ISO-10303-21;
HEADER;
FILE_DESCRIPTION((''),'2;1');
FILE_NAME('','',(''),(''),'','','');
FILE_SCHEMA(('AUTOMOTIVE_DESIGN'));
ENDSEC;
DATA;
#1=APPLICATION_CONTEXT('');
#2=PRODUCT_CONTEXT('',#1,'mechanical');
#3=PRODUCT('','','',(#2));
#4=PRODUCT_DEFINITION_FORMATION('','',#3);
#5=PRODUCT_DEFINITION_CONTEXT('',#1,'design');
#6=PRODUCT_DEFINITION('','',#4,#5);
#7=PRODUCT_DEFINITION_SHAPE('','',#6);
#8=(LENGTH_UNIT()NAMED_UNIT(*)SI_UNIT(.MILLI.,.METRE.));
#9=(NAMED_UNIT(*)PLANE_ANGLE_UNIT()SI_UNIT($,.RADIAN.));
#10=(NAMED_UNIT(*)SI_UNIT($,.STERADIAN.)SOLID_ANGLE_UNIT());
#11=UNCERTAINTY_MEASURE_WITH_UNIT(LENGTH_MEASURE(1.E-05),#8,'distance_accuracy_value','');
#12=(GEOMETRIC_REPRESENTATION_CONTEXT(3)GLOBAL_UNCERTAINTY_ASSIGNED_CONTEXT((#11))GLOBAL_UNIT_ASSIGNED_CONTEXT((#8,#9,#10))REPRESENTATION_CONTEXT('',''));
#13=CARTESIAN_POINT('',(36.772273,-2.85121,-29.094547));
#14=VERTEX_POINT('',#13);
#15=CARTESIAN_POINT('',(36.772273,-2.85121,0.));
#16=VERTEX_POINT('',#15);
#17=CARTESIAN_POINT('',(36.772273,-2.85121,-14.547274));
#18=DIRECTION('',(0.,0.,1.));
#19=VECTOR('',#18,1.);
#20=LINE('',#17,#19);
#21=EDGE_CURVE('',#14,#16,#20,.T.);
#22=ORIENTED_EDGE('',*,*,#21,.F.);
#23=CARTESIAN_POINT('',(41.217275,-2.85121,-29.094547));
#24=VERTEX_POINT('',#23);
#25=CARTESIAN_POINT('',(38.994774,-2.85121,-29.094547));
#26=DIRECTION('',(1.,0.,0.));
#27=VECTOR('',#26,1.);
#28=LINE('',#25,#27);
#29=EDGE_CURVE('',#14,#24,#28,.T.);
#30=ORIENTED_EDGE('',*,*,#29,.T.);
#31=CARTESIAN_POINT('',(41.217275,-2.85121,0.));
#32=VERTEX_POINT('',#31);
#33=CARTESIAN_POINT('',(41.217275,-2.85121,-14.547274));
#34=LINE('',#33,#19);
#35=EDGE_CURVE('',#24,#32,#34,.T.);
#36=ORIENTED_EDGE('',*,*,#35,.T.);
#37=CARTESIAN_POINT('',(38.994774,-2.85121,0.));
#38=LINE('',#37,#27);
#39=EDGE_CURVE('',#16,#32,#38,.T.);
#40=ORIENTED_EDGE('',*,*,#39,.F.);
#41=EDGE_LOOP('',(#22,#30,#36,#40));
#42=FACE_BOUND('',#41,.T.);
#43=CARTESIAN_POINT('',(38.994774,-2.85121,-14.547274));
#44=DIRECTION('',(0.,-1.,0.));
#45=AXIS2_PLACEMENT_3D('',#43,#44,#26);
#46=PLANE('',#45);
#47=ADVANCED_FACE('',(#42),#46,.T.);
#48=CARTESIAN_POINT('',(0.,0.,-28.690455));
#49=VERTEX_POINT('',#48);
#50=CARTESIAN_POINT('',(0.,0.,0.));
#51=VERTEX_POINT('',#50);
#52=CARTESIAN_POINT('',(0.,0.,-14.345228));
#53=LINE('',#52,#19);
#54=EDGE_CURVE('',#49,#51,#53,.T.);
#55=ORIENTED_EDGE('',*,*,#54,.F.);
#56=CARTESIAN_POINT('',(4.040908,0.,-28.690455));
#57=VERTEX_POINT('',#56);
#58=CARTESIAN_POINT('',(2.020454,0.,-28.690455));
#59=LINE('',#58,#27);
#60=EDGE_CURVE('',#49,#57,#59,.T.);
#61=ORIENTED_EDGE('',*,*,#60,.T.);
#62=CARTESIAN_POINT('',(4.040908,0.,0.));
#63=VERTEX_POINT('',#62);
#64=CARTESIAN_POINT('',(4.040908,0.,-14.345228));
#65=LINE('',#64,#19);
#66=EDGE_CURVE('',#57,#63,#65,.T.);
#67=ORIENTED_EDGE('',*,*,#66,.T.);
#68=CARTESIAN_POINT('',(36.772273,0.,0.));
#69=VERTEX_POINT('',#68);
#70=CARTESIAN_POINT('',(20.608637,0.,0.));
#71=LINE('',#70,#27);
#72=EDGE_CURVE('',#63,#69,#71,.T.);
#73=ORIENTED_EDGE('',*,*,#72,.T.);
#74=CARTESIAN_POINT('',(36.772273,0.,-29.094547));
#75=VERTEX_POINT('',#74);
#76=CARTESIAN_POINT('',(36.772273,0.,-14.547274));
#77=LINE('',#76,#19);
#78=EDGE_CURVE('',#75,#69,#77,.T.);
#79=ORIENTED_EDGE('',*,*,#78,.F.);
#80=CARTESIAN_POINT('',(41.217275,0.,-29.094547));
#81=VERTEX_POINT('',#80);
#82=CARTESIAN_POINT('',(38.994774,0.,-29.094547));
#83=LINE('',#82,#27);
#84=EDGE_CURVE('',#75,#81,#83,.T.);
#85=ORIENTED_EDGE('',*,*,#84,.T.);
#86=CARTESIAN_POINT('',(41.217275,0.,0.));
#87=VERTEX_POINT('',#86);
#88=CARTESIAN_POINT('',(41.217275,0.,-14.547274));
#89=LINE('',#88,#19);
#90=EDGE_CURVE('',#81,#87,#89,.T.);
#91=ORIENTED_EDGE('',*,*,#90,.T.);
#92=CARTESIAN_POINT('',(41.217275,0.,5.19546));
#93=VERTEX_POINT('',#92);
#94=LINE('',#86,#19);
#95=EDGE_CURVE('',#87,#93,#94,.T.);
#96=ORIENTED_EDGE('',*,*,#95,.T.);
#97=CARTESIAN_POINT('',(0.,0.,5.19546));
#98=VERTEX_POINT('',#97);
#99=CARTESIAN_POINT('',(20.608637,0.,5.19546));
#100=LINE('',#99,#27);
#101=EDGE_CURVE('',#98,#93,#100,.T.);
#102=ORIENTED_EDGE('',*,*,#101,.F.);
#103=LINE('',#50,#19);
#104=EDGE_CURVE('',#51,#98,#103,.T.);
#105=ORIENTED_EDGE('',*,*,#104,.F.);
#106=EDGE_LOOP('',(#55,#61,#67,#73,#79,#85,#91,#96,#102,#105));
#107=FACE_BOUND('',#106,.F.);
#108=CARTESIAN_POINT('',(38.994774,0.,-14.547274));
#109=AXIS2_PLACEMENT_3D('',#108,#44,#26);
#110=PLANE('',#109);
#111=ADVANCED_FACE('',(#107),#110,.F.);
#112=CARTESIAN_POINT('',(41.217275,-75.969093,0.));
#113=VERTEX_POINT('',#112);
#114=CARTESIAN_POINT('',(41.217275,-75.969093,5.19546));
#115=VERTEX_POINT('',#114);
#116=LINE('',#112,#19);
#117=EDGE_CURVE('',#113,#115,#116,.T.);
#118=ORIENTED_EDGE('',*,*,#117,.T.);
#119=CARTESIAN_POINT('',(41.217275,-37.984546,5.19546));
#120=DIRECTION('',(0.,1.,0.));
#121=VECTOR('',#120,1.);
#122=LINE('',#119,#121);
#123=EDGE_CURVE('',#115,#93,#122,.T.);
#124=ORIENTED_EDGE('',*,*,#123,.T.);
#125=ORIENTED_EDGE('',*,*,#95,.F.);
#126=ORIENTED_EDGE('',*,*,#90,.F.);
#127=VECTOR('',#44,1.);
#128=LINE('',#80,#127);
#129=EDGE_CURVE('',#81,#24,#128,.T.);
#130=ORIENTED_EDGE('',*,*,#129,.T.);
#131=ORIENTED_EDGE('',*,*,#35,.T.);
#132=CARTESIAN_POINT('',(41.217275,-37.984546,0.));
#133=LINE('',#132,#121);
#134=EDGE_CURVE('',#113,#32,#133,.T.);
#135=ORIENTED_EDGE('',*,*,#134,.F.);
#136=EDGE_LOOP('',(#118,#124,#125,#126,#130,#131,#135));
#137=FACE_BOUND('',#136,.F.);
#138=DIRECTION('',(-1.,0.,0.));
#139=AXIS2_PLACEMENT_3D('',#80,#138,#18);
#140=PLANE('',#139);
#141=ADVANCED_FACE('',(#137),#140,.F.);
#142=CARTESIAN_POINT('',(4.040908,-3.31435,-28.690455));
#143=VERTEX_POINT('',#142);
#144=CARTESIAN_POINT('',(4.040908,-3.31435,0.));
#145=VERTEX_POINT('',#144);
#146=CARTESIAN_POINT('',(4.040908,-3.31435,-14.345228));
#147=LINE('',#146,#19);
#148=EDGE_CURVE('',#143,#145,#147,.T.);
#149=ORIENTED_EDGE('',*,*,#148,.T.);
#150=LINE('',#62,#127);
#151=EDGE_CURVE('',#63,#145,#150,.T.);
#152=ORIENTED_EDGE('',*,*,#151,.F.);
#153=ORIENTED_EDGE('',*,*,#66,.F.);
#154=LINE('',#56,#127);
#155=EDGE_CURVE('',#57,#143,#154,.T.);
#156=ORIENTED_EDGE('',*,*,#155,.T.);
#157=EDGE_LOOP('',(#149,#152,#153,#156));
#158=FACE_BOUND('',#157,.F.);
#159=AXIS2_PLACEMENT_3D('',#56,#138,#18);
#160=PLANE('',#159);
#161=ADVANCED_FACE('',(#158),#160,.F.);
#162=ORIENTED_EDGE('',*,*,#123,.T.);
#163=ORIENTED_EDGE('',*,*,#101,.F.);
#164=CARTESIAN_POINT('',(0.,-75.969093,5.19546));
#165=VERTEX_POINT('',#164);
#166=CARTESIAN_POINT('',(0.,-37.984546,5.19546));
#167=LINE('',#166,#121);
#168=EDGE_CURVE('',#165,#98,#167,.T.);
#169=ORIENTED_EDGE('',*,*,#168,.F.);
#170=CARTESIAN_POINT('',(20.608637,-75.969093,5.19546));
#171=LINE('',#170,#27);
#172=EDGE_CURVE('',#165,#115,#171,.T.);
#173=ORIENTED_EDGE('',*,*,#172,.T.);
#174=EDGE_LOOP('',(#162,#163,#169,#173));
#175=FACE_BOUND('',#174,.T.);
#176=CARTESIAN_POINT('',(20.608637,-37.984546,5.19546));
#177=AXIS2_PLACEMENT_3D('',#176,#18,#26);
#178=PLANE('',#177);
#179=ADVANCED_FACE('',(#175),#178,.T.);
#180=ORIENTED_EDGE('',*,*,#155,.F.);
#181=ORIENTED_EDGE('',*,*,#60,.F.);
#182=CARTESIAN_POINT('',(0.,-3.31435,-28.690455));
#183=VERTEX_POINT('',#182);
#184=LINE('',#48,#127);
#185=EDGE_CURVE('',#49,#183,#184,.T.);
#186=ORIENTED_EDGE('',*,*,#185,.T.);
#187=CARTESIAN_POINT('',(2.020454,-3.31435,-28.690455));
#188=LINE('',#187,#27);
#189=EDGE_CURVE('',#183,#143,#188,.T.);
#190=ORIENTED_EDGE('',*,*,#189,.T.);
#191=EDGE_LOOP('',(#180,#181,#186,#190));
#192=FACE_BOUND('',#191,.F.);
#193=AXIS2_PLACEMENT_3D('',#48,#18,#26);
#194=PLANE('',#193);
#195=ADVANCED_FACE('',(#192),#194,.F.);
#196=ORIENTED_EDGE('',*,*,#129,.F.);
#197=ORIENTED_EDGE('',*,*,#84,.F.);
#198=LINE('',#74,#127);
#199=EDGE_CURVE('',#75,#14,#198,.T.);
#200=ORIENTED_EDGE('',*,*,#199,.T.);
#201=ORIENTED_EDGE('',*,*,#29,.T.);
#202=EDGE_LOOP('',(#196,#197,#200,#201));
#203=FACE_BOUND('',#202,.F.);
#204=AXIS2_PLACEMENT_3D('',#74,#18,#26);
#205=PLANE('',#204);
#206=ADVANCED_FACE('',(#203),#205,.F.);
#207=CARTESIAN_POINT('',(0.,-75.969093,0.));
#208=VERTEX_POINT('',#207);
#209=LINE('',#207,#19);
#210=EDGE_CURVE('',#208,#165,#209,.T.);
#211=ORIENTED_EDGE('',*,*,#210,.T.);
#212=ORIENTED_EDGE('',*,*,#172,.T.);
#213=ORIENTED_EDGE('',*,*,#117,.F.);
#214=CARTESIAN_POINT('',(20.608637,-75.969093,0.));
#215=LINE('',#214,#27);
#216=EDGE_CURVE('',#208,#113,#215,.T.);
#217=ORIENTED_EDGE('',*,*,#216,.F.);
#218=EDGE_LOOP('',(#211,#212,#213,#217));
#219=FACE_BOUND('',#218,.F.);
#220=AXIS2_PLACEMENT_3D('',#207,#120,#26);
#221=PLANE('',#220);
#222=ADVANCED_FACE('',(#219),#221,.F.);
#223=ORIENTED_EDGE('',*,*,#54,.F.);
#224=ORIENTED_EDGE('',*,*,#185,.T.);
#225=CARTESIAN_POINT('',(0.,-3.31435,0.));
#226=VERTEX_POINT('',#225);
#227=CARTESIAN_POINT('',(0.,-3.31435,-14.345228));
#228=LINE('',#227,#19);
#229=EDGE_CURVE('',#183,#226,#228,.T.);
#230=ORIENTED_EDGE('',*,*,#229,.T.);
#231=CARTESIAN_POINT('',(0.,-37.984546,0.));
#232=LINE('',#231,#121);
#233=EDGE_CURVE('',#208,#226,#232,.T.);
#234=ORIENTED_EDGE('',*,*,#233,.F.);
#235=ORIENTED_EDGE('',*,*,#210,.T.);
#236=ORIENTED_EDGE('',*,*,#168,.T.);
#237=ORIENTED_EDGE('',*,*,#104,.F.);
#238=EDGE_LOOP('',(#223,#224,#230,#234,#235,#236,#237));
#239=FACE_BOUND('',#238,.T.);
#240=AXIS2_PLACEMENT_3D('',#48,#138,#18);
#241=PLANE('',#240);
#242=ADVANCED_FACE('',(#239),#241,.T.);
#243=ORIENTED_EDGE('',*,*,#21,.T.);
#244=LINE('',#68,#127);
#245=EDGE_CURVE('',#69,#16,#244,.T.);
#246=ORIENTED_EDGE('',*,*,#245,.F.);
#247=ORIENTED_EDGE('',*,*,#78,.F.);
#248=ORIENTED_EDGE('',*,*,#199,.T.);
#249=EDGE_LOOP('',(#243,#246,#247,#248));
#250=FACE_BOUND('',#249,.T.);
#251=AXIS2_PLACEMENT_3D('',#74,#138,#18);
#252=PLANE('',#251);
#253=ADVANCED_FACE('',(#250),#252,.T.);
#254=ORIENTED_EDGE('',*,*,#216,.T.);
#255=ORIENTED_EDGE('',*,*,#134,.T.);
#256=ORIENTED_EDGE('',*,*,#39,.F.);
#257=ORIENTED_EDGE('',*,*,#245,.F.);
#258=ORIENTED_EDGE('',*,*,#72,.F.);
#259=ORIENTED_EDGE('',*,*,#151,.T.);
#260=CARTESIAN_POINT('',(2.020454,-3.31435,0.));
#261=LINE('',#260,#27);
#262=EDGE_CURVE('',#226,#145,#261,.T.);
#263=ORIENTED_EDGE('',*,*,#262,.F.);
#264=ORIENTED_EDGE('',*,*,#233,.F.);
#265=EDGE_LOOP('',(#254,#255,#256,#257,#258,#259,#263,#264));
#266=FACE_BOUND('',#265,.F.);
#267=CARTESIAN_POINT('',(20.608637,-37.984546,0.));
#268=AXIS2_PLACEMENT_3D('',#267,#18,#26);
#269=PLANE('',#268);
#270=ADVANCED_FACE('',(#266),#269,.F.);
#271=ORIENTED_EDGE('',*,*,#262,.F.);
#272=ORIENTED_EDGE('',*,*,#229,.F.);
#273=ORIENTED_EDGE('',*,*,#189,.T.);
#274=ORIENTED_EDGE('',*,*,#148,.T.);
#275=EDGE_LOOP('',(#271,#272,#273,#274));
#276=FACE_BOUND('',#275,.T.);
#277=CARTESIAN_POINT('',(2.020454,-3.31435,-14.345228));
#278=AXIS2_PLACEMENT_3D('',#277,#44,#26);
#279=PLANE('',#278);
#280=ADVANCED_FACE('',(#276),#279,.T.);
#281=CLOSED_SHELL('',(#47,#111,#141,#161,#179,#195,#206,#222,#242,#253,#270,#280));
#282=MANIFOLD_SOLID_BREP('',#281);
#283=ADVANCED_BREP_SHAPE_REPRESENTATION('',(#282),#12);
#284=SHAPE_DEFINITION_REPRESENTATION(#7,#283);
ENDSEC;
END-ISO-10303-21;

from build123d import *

# Parameters (mm, degrees)
F0_W     = 41.2172749639
F0_H     = 75.9690925479
F1_DEPTH = 5.19546
F2_W     = 4.0409080684
F2_H     = 28.6904554814
F3_DEPTH = 3.31435
F4_W     = 4.445001483
F4_H     = 29.0945470333
F5_DEPTH = 2.85121


with BuildPart() as f1:
    # F0 (on Top) → F1 (new body)
    with BuildSketch(Plane.XY):
        with Locations((20.6086374819, -37.9845462739)):
            Rectangle(F0_W, F0_H)
    extrude(amount=F1_DEPTH)

    # F2 (on Front) → F3 (join)
    with BuildSketch(Plane.XZ):
        with Locations((2.0204540342, -14.3452277407)):
            Rectangle(F2_W, F2_H)
    extrude(amount=F3_DEPTH)

    # F4 (on Front) → F5 (join)
    with BuildSketch(Plane.XZ):
        with Locations((38.9947742224, -14.5472735167)):
            Rectangle(F4_W, F4_H)
    extrude(amount=F5_DEPTH)


solid = f1.part
